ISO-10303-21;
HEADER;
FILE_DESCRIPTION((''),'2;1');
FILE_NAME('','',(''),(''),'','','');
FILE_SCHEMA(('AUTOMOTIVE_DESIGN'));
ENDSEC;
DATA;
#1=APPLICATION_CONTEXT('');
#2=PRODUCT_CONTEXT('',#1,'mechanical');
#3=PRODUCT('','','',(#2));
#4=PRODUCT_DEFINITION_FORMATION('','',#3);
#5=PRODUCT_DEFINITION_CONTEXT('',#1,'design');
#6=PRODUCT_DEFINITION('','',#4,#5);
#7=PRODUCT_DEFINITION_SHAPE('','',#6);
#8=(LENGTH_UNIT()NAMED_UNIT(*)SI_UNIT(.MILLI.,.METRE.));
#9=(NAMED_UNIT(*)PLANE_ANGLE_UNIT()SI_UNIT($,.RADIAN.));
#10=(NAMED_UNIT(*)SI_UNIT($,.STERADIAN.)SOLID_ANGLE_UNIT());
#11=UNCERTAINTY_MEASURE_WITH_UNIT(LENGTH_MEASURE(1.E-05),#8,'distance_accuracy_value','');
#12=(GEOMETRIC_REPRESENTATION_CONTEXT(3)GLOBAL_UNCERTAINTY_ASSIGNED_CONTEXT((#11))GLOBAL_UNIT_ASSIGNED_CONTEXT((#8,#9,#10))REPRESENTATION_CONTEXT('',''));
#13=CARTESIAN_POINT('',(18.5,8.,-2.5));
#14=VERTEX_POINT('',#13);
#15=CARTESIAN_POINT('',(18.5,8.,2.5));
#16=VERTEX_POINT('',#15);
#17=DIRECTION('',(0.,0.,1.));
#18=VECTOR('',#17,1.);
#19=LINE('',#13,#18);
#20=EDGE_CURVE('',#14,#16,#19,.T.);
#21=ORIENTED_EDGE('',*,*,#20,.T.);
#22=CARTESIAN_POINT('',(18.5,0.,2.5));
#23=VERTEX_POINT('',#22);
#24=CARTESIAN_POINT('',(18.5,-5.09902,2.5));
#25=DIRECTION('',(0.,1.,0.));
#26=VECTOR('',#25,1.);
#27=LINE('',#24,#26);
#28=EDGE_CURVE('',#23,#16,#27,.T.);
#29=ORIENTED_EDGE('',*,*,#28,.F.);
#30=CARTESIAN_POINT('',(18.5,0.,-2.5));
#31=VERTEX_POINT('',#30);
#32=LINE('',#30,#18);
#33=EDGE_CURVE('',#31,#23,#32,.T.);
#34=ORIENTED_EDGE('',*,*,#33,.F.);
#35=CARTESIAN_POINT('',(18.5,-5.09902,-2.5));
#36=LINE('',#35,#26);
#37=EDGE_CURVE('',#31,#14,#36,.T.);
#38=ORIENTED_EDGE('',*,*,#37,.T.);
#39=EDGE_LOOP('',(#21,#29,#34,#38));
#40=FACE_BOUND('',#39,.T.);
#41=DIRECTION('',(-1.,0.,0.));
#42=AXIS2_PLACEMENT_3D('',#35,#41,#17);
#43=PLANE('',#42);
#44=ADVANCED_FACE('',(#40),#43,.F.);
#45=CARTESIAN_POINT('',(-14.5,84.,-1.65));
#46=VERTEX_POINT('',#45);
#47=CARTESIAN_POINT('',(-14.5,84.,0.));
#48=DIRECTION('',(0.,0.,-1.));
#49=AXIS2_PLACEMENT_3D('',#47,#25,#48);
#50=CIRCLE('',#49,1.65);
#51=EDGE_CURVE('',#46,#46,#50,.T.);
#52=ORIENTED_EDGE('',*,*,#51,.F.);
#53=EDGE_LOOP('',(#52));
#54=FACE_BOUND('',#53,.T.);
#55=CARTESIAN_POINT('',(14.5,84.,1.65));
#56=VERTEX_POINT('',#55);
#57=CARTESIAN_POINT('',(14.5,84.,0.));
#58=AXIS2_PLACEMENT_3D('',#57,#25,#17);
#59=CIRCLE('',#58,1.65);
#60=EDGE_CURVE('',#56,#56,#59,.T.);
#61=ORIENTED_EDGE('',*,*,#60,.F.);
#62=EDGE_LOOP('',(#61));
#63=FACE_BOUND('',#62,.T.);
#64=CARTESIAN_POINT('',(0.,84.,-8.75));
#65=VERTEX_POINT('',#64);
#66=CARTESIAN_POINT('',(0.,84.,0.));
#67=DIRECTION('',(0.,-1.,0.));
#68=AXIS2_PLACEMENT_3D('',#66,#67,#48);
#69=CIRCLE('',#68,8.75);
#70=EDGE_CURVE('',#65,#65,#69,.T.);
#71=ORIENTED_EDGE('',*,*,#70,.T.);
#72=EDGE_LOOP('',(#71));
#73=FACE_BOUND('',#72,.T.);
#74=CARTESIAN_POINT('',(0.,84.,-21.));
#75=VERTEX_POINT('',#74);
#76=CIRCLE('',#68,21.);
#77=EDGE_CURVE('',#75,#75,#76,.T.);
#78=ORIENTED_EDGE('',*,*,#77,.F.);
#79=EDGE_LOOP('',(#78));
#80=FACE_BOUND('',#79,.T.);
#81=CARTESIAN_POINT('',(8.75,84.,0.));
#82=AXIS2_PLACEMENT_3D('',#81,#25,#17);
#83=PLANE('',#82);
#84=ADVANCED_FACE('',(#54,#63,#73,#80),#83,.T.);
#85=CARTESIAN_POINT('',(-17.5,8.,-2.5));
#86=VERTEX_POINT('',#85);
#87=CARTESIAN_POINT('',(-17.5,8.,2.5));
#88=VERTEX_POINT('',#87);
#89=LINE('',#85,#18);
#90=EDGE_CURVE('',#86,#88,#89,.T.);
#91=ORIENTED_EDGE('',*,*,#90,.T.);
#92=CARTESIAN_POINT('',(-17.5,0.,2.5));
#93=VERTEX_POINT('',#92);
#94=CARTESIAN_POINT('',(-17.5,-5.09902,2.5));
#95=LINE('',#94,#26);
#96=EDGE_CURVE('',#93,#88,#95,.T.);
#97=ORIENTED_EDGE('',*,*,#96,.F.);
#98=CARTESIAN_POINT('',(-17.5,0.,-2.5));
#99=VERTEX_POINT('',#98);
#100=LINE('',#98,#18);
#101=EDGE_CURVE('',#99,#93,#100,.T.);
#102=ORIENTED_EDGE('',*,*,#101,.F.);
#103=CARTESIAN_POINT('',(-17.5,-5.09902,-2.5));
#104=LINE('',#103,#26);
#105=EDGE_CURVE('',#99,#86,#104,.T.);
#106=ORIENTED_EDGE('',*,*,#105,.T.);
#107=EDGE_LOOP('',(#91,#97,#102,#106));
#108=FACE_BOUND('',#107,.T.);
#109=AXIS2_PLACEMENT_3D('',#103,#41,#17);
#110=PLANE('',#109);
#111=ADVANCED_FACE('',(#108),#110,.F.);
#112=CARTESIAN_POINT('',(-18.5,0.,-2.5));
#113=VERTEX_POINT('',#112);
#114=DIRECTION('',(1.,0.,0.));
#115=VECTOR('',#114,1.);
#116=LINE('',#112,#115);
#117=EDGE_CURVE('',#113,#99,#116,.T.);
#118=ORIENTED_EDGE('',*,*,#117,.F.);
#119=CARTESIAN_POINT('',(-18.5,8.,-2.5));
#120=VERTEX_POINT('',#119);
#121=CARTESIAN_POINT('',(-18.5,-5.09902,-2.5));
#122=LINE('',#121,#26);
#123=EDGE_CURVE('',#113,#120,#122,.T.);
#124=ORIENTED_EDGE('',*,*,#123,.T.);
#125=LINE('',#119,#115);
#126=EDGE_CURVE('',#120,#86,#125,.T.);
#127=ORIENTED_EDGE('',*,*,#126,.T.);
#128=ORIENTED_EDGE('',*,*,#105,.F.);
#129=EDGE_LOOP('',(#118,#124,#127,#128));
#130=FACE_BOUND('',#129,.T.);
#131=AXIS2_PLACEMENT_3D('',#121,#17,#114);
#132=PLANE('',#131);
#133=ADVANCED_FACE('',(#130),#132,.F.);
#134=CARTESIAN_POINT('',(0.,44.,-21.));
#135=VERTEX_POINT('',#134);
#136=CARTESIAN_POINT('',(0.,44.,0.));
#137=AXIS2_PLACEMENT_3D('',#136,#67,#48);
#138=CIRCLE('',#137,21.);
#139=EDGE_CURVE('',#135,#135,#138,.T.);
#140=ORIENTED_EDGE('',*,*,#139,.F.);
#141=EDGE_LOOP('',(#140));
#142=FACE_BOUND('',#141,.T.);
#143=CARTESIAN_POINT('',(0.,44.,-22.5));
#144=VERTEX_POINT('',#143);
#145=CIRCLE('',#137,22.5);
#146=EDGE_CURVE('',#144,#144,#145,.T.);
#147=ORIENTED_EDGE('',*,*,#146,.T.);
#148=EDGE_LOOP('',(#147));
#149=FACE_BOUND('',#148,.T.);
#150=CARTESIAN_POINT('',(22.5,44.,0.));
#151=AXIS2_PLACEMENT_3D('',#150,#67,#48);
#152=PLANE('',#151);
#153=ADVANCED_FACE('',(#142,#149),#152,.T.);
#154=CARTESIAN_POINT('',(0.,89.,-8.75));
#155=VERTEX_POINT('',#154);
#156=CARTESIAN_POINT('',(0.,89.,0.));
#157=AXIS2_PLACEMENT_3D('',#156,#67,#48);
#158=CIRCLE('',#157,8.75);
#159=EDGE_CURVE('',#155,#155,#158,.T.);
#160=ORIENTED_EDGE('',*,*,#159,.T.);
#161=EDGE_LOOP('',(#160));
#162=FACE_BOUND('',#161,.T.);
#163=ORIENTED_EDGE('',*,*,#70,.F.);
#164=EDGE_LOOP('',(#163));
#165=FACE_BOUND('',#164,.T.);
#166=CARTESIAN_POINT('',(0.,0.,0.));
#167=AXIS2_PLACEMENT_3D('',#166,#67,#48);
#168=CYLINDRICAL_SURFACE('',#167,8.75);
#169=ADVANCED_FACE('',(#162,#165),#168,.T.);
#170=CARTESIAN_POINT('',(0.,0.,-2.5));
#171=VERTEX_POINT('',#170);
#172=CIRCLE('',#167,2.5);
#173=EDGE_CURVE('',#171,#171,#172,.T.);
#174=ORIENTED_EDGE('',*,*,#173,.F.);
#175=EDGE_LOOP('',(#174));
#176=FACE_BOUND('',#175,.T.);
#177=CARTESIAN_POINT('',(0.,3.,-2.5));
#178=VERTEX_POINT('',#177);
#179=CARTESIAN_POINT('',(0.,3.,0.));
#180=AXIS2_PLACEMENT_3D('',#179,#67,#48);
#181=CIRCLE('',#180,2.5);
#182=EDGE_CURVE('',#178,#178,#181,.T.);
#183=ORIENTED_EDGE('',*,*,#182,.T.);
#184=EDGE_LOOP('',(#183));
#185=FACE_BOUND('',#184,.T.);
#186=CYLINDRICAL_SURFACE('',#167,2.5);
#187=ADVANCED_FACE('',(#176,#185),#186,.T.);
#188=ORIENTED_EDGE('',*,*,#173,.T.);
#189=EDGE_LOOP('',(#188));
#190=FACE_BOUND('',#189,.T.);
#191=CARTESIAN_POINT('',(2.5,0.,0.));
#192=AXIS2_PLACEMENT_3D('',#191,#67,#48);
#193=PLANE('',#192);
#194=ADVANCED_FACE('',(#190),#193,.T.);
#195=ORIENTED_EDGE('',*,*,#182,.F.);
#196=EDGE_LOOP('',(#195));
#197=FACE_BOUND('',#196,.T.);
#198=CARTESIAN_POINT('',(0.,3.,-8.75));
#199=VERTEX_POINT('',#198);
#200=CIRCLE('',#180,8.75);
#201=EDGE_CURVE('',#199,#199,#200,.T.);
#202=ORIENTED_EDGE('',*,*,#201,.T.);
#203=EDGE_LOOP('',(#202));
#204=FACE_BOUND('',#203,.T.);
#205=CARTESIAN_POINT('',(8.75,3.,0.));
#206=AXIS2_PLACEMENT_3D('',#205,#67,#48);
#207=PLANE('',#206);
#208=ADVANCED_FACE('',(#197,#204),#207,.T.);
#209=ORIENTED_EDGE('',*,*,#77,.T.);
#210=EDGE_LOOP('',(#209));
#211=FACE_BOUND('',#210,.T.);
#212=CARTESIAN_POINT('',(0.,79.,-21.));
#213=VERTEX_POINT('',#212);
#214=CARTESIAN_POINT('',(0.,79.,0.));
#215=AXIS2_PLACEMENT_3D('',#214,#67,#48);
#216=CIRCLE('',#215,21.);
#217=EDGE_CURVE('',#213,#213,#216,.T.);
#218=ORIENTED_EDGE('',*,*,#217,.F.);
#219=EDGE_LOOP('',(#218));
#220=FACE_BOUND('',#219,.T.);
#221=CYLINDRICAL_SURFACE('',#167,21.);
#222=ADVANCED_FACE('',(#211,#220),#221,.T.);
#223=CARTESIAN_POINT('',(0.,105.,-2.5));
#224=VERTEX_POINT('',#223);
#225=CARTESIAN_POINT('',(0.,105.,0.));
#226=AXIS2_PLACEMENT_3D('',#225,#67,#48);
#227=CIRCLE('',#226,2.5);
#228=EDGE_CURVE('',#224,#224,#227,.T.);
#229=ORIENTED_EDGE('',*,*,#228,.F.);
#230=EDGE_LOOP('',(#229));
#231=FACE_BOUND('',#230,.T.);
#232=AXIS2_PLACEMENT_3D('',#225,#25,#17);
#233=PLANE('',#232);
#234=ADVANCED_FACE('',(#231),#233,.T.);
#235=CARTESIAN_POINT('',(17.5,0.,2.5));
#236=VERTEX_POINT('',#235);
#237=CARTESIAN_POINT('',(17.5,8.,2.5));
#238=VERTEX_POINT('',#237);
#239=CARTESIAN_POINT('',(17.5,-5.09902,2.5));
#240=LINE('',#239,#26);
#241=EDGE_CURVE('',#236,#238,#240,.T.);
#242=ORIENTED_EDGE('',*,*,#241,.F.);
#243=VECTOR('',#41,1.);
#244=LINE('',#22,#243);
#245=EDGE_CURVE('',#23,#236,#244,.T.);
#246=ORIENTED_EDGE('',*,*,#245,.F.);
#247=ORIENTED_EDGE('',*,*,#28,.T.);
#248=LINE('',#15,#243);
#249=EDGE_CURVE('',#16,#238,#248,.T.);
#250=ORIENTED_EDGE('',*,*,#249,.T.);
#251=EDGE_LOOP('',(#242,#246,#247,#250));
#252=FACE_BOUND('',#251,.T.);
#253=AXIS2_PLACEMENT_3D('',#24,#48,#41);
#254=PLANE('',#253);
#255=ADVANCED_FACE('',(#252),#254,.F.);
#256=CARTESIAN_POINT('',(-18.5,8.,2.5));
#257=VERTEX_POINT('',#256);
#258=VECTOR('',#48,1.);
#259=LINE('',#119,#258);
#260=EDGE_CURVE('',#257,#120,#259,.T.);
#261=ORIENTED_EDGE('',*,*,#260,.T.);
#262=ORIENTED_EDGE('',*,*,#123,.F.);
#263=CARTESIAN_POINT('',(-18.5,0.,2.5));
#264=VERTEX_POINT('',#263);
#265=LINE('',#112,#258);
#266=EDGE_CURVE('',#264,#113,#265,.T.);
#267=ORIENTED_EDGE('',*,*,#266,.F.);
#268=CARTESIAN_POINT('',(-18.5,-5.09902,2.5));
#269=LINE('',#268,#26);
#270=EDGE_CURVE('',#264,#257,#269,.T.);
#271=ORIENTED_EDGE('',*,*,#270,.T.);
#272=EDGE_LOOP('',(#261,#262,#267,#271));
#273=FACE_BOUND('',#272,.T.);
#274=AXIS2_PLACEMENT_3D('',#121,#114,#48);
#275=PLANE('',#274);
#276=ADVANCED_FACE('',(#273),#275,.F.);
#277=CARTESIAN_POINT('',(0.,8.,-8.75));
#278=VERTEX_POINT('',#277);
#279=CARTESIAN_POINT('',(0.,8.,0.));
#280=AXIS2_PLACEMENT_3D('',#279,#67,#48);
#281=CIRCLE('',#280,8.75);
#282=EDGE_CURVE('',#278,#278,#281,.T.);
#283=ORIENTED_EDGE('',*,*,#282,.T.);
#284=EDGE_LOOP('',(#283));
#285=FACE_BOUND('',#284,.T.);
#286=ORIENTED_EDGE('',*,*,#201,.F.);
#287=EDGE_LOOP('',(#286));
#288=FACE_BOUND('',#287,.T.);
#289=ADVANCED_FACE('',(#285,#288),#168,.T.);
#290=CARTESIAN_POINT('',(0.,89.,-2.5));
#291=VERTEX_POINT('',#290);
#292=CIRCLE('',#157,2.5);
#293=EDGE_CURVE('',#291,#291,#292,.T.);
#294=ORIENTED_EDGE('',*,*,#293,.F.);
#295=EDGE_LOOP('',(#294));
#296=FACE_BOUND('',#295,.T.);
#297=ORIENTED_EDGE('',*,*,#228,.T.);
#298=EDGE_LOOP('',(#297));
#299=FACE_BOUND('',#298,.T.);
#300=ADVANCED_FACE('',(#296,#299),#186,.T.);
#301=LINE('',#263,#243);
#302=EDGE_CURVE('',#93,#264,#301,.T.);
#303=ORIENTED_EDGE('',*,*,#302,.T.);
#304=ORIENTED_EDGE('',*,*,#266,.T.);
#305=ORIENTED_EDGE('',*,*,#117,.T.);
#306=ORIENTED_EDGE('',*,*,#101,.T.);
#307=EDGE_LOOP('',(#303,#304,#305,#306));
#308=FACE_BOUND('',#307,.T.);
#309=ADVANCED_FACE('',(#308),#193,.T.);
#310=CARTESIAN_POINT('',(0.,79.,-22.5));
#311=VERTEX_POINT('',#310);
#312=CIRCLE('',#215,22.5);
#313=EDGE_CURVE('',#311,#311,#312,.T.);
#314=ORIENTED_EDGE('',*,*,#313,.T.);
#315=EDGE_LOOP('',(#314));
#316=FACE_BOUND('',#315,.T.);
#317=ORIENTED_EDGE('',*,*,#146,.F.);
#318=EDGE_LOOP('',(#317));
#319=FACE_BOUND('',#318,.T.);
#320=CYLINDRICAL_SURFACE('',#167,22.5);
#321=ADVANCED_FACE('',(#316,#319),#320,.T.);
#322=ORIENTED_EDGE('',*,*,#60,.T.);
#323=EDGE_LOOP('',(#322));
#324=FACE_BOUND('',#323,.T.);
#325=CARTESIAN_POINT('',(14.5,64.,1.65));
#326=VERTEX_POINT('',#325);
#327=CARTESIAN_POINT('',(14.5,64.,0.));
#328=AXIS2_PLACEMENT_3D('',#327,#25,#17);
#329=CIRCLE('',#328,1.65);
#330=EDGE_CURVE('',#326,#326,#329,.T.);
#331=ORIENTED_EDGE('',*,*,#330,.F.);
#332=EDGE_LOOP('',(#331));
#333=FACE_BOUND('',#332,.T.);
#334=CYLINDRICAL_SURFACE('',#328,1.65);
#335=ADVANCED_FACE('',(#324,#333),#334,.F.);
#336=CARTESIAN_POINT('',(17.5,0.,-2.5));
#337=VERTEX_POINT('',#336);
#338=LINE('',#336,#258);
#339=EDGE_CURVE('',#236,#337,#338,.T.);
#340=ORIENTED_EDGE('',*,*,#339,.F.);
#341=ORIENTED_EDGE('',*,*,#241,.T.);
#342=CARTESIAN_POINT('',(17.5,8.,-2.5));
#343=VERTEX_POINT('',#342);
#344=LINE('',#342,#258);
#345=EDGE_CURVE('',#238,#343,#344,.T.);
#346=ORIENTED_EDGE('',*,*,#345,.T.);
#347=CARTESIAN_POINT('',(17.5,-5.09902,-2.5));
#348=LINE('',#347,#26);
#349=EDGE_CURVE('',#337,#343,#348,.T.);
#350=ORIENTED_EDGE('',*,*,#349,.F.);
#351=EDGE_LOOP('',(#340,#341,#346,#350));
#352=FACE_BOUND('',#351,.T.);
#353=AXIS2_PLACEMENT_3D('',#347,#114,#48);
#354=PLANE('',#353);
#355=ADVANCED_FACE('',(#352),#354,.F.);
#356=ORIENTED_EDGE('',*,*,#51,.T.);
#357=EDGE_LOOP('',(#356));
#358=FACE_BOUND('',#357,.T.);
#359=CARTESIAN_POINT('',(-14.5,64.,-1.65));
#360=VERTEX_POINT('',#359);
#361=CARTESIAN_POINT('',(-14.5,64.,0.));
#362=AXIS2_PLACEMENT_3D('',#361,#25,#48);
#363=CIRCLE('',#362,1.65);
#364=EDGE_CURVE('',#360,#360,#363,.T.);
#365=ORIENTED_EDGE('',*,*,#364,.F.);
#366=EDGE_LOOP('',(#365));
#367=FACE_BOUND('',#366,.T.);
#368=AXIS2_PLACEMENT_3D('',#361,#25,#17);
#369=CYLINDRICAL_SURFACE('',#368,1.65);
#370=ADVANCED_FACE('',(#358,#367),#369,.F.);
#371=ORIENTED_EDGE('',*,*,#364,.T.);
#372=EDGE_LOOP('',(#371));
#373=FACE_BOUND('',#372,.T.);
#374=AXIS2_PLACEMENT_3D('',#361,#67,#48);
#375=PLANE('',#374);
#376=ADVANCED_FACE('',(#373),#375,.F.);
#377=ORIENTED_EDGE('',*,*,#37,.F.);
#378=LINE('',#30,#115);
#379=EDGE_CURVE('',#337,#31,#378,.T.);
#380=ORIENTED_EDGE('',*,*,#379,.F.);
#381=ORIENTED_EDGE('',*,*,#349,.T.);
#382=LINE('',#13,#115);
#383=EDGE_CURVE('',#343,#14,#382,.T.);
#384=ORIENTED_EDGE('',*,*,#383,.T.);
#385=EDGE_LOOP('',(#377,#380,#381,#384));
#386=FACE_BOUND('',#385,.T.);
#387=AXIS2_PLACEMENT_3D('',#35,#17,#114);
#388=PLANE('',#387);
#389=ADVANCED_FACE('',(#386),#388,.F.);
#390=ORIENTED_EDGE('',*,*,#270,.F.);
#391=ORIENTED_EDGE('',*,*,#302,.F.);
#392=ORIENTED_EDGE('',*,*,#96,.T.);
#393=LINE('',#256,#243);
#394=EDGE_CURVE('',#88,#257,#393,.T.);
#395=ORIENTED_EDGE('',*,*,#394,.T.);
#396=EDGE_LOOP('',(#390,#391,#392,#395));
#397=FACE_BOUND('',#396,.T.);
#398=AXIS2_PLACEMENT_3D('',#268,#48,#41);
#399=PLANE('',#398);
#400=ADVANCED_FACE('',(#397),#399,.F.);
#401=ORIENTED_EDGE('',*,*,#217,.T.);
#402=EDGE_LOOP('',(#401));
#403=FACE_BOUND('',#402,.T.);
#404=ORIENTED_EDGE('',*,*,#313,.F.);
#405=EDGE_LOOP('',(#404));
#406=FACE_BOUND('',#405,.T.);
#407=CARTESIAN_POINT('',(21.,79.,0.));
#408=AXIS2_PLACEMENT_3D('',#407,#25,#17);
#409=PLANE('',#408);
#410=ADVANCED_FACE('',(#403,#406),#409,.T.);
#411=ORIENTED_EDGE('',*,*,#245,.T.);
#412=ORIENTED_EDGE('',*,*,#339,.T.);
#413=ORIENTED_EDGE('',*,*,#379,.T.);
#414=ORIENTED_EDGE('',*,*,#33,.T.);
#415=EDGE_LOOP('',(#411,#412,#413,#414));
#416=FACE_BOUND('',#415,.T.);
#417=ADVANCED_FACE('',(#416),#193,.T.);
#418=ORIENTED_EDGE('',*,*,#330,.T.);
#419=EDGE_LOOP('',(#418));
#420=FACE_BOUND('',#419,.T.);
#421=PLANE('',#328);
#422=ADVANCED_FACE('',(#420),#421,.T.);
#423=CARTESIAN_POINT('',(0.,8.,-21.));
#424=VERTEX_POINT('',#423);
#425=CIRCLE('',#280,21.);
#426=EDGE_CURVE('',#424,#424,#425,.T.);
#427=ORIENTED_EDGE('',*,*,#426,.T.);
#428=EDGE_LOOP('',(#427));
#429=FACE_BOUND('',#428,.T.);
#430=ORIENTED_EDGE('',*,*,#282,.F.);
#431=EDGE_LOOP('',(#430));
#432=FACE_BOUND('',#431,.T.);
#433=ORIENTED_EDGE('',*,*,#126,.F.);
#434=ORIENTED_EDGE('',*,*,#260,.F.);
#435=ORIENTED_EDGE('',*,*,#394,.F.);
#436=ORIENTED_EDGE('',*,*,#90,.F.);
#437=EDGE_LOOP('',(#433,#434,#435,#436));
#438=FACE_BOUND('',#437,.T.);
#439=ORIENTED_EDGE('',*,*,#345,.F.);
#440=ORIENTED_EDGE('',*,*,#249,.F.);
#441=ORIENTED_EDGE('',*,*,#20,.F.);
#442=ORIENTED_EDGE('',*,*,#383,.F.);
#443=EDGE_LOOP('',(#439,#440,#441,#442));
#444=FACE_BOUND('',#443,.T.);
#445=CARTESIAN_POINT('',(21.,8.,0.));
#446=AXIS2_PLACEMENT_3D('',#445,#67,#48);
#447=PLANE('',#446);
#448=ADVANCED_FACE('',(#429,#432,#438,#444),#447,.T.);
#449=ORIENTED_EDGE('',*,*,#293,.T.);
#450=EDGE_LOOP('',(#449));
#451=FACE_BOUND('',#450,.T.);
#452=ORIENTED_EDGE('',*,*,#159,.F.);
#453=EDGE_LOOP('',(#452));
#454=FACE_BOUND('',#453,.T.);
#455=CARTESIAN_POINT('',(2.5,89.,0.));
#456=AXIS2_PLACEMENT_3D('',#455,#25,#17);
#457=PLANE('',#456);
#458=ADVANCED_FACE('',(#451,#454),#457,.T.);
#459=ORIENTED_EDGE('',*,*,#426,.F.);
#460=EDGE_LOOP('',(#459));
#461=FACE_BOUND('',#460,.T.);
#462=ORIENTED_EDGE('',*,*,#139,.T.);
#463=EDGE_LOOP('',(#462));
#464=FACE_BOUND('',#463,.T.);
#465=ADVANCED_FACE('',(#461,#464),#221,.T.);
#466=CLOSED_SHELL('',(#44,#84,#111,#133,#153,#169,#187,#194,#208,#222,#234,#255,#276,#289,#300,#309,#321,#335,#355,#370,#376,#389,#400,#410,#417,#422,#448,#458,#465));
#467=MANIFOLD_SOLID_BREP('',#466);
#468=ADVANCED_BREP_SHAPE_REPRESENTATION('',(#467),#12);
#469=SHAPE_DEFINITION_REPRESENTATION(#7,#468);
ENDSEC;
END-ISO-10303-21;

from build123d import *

# Parameters (mm, degrees)
SKETCH2_R           = 1.65
CUT_EXTRUDE1_DEPTH  = 20
SKETCH3_W           = 1
SKETCH3_H           = 5
BOSS_EXTRUDE1_DEPTH = 8


with BuildPart() as part:
    # Sketch1 → Revolve1 (revolve)
    with BuildSketch(Plane.XY):
        Polygon((0, 0), (0, 105), (2.5, 105), (2.5, 89), (8.75, 89), (8.75, 84), (21, 84), (21, 79), (22.5, 79), (22.5, 44), (21, 44), (21, 8), (8.75, 8), (8.75, 3), (2.5, 3), (2.5, 0), align=None)
    revolve(axis=Axis((0, 0, 0), (0, 1, 0)))

    # Sketch2 → Cut-Extrude1 (cut)
    with BuildSketch(Plane(origin=(0, 84, 0), x_dir=(1, 0, 0), z_dir=(0, 1, 0))):
        with Locations((14.5, 0)):
            Circle(SKETCH2_R)
        with Locations((-14.5, 0)):
            Circle(SKETCH2_R)
    extrude(amount=-CUT_EXTRUDE1_DEPTH, mode=Mode.SUBTRACT)

    # Sketch3 → Boss-Extrude1 (add)
    with BuildSketch(Plane.XZ.offset(-8)):
        with Locations((-18, 0)):
            Rectangle(SKETCH3_W, SKETCH3_H)
        with Locations((18, 0)):
            Rectangle(SKETCH3_W, SKETCH3_H)
    extrude(amount=BOSS_EXTRUDE1_DEPTH)


solid = part.part
